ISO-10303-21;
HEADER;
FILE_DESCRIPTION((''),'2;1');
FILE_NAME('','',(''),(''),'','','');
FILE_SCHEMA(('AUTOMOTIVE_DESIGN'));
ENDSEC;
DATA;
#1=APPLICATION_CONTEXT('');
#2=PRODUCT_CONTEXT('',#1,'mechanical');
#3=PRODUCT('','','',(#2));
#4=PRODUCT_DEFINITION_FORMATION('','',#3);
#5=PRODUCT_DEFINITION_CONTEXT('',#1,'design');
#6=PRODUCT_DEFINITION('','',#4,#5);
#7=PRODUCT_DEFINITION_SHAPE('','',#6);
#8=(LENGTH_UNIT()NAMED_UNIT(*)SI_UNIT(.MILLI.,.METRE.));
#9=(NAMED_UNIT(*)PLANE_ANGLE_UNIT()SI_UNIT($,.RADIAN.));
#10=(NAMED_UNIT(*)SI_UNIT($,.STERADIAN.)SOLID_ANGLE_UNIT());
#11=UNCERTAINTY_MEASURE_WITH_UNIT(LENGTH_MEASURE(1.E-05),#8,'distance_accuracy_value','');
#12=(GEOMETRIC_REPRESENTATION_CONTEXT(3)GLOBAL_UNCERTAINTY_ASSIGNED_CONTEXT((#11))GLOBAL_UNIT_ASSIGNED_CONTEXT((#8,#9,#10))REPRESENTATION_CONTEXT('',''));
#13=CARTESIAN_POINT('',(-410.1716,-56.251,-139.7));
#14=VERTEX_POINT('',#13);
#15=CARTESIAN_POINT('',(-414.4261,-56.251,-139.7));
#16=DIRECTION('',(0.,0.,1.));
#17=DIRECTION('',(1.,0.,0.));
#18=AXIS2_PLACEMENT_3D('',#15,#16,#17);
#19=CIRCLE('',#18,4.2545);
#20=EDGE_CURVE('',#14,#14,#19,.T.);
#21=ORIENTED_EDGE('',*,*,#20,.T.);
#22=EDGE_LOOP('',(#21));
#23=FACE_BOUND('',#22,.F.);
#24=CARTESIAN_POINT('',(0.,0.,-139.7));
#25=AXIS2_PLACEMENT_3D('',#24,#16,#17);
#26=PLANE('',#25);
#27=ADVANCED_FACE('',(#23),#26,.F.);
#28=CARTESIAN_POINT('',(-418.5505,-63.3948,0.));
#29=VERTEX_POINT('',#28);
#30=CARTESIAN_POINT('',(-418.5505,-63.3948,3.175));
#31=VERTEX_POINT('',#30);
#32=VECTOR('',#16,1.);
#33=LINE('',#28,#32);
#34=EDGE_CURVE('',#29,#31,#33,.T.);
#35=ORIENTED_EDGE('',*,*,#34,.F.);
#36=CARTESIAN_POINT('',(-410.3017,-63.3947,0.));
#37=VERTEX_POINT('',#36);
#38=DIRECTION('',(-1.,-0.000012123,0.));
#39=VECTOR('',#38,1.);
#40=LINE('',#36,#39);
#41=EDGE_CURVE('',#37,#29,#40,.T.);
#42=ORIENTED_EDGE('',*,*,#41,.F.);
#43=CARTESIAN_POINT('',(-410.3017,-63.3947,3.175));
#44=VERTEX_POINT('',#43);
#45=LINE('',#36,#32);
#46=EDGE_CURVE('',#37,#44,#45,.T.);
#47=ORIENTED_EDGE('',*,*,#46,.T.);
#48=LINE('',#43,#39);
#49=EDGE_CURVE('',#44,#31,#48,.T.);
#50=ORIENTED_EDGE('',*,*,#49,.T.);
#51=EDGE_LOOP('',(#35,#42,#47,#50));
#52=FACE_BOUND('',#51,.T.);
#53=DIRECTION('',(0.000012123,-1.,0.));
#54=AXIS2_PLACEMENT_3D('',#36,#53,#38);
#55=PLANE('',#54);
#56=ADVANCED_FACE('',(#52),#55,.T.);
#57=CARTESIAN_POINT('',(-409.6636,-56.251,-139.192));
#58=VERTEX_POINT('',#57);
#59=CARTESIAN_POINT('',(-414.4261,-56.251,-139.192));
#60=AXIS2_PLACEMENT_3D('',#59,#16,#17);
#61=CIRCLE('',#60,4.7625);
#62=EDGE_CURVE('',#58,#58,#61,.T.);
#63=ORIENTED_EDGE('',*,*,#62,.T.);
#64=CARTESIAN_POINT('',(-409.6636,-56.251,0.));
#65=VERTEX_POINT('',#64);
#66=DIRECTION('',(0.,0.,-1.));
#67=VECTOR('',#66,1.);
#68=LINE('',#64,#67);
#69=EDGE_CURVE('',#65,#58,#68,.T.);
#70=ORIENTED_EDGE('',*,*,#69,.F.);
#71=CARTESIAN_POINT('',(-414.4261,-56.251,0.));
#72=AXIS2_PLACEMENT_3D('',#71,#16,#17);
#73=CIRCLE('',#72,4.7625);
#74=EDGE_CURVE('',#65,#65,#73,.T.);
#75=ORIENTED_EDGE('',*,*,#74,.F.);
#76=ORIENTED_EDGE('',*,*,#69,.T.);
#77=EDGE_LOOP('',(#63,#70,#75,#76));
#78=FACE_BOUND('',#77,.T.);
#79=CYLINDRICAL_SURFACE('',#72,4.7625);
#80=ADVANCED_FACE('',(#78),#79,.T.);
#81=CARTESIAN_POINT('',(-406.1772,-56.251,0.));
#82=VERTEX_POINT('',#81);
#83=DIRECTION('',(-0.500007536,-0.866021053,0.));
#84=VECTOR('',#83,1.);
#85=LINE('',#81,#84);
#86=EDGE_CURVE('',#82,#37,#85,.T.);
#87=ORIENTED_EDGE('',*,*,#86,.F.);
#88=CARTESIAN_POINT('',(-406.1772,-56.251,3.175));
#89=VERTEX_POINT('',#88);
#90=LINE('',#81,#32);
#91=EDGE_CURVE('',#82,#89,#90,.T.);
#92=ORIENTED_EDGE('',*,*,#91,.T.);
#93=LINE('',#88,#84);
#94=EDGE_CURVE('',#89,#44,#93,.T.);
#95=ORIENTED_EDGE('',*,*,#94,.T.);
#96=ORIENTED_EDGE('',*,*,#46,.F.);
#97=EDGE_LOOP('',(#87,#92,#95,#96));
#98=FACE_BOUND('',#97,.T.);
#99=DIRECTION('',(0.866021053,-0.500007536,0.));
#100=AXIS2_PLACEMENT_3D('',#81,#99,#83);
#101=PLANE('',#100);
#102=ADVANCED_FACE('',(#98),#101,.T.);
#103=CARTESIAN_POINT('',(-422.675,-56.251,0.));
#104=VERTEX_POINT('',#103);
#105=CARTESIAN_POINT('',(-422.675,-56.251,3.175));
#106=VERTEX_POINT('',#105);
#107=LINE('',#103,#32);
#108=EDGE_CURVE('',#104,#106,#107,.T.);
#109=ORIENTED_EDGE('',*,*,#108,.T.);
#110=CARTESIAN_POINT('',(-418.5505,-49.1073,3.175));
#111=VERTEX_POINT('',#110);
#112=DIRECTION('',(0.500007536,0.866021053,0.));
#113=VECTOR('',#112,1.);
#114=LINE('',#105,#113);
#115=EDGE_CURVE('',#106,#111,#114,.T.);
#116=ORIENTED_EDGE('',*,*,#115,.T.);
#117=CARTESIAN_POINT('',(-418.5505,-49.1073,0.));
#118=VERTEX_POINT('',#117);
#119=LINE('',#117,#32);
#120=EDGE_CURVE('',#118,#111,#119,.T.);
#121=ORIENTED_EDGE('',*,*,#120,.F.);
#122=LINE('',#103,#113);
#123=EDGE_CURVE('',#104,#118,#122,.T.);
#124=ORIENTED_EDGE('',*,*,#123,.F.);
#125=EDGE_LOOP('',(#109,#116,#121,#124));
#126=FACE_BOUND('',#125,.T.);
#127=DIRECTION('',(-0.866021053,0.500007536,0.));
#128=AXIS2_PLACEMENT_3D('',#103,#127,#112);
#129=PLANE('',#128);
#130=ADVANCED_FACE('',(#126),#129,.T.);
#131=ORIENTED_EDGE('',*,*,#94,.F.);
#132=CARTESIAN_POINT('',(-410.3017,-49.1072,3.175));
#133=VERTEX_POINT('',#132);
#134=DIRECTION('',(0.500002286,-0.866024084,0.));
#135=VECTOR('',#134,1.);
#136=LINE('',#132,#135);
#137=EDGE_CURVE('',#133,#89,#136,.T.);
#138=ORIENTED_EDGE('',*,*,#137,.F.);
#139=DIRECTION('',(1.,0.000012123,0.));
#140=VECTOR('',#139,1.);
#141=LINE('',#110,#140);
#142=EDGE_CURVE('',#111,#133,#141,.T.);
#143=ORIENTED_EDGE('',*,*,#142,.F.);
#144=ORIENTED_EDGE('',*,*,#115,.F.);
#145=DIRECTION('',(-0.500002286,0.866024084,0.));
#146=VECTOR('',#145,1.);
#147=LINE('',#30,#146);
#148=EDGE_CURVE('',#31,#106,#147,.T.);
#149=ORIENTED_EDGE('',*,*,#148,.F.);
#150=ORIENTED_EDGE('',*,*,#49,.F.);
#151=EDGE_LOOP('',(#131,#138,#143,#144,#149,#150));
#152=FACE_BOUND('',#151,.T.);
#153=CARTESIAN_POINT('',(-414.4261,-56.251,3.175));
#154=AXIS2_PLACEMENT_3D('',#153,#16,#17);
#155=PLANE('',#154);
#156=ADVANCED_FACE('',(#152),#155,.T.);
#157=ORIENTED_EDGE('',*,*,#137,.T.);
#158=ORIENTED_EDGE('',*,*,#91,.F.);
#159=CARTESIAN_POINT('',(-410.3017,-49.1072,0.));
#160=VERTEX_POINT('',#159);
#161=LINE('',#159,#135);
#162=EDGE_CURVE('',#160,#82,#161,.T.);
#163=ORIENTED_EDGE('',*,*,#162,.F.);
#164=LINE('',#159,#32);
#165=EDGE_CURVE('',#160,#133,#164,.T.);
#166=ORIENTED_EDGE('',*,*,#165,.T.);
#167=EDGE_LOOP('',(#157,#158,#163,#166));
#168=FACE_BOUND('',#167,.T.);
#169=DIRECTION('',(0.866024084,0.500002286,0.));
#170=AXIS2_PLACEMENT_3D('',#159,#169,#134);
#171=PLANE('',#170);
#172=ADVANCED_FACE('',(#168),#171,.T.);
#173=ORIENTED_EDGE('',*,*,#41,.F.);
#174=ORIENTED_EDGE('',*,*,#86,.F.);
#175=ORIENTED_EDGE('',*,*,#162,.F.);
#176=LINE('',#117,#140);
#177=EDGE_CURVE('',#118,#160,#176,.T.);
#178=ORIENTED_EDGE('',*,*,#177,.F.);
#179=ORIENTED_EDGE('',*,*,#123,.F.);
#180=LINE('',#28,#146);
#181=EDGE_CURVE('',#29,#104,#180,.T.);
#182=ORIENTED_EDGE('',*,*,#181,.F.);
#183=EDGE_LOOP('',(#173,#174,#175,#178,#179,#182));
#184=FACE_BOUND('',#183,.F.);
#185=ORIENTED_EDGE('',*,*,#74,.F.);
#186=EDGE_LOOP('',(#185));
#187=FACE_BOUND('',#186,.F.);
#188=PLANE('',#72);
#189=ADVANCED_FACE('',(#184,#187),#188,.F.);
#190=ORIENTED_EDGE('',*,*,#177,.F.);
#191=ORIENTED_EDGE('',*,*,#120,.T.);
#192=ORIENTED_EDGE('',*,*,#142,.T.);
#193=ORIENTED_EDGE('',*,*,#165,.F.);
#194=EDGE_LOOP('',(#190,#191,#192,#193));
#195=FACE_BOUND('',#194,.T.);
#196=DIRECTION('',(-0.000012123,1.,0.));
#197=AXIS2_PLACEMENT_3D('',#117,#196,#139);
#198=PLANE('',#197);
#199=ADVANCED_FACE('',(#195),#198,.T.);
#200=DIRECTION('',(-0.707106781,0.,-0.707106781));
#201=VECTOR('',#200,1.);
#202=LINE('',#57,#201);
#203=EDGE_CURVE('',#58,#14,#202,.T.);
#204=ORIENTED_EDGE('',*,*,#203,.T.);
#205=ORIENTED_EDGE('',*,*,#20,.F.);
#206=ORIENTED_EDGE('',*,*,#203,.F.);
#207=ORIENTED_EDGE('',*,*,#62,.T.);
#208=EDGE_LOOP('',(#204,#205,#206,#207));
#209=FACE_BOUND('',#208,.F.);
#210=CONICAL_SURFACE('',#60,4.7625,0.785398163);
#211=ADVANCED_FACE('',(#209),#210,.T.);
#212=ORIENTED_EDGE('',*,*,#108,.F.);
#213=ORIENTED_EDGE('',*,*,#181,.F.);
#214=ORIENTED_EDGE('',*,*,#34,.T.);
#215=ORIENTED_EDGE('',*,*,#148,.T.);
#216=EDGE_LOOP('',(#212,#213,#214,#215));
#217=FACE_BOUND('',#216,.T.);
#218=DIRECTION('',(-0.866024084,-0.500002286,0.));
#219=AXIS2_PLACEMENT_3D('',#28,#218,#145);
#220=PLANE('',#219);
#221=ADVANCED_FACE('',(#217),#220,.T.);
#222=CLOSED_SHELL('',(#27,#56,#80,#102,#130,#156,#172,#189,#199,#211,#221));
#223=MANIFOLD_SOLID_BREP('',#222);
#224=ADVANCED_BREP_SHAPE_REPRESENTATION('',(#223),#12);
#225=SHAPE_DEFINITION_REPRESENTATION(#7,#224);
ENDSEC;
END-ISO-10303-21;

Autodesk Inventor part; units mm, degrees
ref_plane "YZ Plane" through (0, 0, 0) normal (1, 0, 0) x (0, 1, 0)
ref_plane "XZ Plane" through (0, 0, 0) normal (0, 1, 0) x (-1, 0, 0)
ref_plane "XY Plane" through (0, 0, 0) normal (0, 0, 1) x (1, 0, 0)
sketch "Sketch1" plane through (0, 0, 0) normal (0, 0, 1) x (1, 0, 0)
  circle A0 centre (-414.4261, -56.251) radius 4.7625
  point P0 (0, 0)
  dimension "d0" = 9.525
extrude "Extrusion1" add sketch "Sketch1" against normal blind 139.7
sketch "Sketch2" plane through (-414.4261, -56.251, 0) normal (0, 0, 1) x (1, 0, 0)
  circle A0 centre (0, 0) radius 4.7625 projected
  line L0 (-8.2489, 0) -> (-4.1244, 7.1437)
  line L1 (-4.1244, 7.1437) -> (4.1244, 7.1438)
  line L2 (4.1244, 7.1438) -> (8.2489, 0)
  line L3 (8.2489, 0) -> (4.1244, -7.1437)
  line L4 (4.1244, -7.1437) -> (-4.1244, -7.1438)
  line L5 (-4.1244, -7.1438) -> (-8.2489, 0)
  point P0 (414.4261, 56.251)
  dimension "d3" = 14.2875
extrude "Extrusion2" add sketch "Sketch2" along normal blind 3.175 contours A0 | L0 L1 L2 L3 L4 L5
thread "Thread1" size "3/8-16 UNC" class "2A" standard "ANSI Unified Screw Threads" length 25.4
chamfer "Chamfer1" distance 0.508 angle 45 1 edges at (-419.1886, -56.251, -139.7)
properties part number "375 bolt x4" material "Steel"
